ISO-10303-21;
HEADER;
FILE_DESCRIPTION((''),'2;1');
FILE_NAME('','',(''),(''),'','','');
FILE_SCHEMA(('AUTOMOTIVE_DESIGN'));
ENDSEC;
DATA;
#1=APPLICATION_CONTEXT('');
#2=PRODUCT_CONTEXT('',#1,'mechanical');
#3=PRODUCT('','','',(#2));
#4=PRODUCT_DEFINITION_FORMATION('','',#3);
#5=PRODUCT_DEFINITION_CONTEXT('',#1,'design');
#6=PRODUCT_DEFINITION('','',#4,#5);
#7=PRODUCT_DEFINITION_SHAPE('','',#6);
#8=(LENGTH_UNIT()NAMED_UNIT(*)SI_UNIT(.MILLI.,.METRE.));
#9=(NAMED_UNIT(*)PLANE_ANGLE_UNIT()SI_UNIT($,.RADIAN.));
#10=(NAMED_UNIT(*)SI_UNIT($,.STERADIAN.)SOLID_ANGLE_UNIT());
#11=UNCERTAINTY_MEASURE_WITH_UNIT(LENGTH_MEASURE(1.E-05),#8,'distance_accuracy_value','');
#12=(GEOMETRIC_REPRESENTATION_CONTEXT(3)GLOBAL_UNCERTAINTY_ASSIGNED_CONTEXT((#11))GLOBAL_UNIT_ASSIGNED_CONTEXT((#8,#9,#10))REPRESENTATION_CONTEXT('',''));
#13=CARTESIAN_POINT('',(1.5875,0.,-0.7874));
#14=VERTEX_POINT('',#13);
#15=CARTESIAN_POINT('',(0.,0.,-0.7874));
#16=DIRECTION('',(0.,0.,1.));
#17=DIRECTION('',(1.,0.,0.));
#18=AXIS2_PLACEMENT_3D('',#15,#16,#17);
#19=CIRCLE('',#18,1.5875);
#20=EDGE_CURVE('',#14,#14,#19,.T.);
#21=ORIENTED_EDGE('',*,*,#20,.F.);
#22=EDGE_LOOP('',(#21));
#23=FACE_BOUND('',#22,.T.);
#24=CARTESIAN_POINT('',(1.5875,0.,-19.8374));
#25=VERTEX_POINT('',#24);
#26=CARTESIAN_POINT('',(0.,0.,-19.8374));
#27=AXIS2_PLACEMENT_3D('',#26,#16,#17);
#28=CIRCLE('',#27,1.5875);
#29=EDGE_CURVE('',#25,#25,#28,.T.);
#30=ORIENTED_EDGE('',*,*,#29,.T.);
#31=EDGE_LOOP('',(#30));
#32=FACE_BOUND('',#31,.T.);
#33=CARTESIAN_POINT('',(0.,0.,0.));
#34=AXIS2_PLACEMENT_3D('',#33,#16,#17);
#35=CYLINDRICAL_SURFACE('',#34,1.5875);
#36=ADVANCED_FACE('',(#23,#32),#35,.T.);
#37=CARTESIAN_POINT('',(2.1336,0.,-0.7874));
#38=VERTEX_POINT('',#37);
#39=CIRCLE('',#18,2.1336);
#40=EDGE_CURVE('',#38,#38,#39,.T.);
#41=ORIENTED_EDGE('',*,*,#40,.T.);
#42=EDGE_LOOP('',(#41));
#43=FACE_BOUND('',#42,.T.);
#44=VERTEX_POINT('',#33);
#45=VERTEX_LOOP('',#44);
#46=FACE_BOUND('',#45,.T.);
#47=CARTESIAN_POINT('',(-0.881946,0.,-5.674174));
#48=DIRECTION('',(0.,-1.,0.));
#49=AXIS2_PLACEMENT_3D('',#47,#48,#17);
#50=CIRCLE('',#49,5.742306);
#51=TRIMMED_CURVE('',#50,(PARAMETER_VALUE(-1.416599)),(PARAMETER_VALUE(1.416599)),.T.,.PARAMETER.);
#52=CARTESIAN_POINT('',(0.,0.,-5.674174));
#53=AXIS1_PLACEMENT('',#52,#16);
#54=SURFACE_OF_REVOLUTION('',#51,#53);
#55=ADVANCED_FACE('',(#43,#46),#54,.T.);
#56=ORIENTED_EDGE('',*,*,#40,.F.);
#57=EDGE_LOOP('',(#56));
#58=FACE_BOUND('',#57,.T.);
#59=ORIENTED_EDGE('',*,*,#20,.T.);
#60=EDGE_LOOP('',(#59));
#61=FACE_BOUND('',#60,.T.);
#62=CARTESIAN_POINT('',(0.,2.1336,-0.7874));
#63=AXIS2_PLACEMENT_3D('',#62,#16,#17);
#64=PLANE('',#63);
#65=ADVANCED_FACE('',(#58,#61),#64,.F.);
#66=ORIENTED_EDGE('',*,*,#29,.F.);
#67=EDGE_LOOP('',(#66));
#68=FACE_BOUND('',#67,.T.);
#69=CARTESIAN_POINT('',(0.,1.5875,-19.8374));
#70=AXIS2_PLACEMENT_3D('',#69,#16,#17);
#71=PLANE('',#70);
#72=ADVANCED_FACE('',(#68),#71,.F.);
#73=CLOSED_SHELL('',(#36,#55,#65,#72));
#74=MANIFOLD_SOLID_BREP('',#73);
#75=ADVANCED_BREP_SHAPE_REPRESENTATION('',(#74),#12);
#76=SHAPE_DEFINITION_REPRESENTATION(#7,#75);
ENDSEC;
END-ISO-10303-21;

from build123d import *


with BuildPart() as part:
    # Sketch1 → Revolve1 (revolve)
    with BuildSketch(Plane(origin=(0, 0, 0), x_dir=(0, 0, -1), z_dir=(1, 0, 0))):
        with BuildLine():
            Line((0, 0), (19.8374, 0))
            Line((19.8374, 0), (19.8374, 1.5875))
            Line((19.8374, 1.5875), (0.7874, 1.5875))
            Line((0.7874, 1.5875), (0.7874, 2.1336))
            ThreePointArc((0.7874, 2.1336), (0.287016319, 1.106171358), (0, 0))
        make_face()
    revolve(axis=Axis((0, 0, 0), (0, 0, -1)))


solid = part.part
